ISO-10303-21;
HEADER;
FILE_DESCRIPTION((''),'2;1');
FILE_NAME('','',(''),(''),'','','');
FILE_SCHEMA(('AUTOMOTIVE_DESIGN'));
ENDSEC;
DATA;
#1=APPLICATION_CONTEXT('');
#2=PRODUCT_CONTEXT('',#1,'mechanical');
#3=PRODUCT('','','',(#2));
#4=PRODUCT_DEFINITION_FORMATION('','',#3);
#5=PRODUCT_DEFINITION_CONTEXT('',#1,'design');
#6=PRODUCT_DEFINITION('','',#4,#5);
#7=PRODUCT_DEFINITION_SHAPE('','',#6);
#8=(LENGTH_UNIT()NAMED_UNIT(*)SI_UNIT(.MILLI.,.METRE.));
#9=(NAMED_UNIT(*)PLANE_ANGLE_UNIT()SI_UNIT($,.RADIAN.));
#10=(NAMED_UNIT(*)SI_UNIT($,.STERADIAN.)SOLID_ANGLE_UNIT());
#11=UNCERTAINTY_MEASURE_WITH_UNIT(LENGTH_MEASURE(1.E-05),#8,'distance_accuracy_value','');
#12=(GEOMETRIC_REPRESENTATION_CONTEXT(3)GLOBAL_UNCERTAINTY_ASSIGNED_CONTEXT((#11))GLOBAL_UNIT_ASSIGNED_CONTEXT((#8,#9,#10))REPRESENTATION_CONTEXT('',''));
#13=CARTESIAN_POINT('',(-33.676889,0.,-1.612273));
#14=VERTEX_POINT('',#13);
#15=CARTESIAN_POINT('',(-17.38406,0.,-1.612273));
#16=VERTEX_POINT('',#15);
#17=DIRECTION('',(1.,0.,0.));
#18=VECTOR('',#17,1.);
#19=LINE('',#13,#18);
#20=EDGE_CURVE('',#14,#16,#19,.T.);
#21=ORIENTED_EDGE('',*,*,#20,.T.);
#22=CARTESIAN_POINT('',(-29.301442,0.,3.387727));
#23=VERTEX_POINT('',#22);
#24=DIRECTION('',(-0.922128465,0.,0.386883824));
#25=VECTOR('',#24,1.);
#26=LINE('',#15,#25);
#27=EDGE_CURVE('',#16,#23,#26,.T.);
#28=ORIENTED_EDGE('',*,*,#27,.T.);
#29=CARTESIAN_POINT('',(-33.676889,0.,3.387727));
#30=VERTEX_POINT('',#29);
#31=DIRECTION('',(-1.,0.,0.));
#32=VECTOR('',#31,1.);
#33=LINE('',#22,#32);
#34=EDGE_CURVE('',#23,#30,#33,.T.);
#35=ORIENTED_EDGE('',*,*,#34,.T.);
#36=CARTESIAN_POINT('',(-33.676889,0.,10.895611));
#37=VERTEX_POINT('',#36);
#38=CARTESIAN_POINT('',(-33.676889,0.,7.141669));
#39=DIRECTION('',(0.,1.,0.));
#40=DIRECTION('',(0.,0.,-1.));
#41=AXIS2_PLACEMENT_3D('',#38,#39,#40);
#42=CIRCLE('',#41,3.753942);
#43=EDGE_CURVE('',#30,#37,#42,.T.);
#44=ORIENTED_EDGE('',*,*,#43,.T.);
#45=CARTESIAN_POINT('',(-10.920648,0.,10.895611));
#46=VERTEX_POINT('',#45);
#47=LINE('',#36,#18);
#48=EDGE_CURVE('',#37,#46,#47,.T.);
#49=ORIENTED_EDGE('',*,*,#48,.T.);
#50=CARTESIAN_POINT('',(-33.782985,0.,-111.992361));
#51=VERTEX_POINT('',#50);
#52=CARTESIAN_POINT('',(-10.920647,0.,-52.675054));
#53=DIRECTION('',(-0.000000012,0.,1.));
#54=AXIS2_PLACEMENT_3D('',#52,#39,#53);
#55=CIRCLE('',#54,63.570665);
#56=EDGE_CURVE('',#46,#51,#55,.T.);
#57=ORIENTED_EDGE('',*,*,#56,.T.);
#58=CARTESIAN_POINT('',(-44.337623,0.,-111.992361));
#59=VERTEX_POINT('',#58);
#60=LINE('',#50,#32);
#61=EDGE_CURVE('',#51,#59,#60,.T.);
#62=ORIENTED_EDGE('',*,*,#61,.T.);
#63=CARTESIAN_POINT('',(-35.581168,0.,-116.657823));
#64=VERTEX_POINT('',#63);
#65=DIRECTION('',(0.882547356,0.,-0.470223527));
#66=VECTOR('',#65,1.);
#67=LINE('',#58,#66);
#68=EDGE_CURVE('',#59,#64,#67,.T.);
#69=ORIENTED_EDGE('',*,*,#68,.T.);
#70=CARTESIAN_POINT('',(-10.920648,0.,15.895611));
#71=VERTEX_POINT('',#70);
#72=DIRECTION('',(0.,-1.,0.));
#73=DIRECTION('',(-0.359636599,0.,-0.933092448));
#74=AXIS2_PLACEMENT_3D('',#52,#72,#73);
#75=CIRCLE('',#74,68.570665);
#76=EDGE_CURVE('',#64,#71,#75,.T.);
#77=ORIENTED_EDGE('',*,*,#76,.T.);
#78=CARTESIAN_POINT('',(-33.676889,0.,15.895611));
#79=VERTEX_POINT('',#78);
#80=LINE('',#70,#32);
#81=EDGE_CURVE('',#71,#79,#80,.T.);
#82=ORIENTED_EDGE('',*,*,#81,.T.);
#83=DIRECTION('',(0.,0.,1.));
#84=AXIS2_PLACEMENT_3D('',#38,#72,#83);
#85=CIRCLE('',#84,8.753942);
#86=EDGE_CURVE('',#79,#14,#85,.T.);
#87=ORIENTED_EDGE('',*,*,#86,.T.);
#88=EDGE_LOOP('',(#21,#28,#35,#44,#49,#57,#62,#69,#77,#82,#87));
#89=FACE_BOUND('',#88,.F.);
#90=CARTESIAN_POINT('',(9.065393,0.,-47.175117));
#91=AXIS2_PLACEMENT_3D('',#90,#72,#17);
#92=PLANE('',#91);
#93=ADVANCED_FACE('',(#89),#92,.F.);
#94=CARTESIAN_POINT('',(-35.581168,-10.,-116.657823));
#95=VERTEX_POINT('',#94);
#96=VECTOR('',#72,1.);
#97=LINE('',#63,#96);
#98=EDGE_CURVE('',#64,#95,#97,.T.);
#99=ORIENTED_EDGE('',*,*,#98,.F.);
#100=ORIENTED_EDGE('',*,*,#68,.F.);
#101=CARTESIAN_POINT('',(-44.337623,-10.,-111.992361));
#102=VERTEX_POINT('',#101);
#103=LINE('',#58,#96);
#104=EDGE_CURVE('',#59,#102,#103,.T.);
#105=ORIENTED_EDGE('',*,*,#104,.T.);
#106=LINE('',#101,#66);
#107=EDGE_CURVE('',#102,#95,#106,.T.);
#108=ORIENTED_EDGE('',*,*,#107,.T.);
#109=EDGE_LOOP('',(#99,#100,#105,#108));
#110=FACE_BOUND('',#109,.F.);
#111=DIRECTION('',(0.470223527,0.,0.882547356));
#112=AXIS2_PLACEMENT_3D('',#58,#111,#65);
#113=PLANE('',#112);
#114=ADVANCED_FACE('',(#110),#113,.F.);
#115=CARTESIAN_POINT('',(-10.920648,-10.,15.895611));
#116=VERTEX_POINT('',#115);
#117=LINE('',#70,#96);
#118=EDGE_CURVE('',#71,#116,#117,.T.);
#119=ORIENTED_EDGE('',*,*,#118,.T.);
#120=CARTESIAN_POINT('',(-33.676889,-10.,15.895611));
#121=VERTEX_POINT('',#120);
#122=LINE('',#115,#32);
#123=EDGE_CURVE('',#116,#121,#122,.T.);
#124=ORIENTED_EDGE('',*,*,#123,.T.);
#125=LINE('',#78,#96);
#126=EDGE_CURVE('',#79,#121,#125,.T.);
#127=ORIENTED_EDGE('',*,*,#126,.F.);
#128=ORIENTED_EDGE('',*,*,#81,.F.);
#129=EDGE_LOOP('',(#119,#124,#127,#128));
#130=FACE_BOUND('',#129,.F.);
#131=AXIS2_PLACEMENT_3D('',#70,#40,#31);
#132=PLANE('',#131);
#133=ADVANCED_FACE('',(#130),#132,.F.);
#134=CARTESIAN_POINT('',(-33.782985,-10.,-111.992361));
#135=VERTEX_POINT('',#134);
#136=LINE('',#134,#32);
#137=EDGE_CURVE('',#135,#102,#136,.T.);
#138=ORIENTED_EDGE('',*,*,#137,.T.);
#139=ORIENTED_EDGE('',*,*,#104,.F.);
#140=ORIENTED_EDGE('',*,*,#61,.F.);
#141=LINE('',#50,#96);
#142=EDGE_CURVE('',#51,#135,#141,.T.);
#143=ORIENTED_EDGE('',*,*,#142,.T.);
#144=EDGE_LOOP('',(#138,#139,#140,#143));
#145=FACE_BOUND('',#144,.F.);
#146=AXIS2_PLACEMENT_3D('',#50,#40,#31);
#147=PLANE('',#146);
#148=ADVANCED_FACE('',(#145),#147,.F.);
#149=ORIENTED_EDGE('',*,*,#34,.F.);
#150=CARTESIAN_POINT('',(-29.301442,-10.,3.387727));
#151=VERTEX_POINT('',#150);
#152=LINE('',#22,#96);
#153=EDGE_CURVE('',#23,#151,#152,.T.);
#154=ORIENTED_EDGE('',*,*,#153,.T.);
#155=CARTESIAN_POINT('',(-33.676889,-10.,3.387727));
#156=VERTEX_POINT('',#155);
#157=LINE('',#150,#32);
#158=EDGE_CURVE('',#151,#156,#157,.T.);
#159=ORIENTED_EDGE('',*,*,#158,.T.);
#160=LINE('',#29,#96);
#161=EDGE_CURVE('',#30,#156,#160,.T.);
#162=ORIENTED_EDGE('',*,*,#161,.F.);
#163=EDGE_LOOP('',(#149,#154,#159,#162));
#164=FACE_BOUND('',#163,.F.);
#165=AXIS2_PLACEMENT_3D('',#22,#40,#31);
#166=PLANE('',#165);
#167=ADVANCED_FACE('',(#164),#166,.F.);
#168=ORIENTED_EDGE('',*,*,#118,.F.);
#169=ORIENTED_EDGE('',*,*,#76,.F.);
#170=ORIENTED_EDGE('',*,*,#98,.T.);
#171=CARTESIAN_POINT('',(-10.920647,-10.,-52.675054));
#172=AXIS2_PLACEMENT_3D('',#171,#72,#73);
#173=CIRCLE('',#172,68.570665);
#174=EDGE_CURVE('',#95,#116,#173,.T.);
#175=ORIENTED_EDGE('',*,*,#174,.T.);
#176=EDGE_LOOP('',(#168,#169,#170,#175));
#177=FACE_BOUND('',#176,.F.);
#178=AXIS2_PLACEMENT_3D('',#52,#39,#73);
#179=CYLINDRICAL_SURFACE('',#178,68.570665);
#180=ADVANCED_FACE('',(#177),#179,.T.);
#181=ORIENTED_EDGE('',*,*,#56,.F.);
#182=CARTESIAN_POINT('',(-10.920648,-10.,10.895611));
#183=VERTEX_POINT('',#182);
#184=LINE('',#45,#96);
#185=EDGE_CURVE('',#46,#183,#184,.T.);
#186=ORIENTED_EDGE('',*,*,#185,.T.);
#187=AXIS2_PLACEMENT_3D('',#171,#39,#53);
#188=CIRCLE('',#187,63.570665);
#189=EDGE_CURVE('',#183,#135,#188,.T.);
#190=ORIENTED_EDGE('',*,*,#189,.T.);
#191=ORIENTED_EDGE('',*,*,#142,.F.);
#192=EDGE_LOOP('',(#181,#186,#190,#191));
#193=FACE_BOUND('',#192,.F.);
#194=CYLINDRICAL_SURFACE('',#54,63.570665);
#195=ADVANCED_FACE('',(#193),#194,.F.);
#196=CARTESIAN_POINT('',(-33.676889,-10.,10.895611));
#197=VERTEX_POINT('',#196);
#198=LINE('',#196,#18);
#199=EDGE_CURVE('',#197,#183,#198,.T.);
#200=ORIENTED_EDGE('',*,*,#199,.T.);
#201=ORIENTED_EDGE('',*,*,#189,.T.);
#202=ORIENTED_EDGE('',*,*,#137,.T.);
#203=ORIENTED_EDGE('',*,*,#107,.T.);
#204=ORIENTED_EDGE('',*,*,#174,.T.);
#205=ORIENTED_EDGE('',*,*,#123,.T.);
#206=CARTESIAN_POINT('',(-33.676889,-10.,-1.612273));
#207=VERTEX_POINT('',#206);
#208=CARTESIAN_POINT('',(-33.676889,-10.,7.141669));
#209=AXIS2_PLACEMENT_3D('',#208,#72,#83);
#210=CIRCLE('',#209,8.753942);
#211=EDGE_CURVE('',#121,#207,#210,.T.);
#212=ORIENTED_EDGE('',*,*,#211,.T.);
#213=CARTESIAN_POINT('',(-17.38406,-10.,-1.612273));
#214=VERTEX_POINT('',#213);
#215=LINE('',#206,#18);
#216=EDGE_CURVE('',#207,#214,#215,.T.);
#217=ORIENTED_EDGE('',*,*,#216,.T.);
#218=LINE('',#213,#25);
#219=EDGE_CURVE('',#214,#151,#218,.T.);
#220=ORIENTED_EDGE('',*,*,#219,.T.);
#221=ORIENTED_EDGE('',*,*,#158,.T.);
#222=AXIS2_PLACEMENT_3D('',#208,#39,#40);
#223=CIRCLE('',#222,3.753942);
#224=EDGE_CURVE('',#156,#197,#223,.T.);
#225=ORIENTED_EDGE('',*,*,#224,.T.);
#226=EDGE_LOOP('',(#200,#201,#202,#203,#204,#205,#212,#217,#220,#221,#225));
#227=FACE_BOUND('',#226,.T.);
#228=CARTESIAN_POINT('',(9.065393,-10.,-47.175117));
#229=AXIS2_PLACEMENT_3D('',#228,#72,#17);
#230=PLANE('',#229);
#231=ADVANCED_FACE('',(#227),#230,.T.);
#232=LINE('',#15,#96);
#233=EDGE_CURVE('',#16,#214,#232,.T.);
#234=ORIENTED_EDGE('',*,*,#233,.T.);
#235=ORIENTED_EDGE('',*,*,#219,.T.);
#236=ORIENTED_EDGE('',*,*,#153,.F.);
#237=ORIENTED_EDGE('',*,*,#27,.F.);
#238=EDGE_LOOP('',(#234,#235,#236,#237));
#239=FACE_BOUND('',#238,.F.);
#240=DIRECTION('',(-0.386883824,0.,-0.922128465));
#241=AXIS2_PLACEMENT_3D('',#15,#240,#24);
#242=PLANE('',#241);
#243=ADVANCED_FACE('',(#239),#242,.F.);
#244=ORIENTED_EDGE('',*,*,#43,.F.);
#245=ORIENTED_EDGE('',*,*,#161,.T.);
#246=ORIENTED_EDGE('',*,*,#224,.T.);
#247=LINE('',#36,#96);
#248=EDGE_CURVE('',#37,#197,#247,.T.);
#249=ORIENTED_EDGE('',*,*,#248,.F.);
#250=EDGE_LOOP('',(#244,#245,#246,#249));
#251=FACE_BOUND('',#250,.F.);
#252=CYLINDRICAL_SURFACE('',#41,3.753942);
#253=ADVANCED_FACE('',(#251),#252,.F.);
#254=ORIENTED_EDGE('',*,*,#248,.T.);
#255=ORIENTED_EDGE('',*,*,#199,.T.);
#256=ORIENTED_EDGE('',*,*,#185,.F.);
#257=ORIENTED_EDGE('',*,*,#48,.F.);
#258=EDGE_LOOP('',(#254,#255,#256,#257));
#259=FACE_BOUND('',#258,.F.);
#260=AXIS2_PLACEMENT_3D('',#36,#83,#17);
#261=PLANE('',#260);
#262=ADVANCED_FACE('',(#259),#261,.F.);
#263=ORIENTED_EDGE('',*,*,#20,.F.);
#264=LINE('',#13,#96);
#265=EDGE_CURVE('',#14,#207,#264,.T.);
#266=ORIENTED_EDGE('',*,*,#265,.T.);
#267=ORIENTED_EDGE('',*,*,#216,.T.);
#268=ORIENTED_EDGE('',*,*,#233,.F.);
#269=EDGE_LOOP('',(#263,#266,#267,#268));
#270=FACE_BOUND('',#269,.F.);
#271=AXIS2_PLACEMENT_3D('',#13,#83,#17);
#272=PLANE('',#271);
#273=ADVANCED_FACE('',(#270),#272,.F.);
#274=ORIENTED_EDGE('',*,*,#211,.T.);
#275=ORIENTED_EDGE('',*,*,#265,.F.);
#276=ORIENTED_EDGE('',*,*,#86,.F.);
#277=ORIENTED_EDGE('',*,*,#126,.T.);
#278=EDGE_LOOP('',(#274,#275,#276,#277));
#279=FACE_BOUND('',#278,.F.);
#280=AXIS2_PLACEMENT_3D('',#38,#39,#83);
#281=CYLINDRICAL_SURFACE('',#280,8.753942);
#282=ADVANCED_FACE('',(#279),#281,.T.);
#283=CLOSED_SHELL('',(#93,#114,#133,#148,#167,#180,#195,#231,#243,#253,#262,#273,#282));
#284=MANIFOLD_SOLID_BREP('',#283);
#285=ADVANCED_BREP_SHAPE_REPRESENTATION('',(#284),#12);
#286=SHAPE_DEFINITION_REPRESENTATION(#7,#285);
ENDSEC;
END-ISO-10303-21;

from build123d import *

# Parameters (mm, degrees)
F1_DEPTH = 10


with BuildPart() as f1:
    # F0 (on Front) → F1 (new body)
    with BuildSketch(Plane.XZ):
        with BuildLine():
            ThreePointArc((-35.581168, -116.657823), (56.493287, -65.216884), (-10.920648, 15.895611))
            Line((-10.920648, 15.895611), (-33.676889, 15.895611))
            ThreePointArc((-33.676889, 15.895611), (-42.430831, 7.141669), (-33.676889, -1.612273))
            Line((-33.676889, -1.612273), (-29.301442, -1.612273))
            Line((-29.301442, -1.612273), (-17.38406, -1.612273))
            Line((-17.38406, -1.612273), (-29.301442, 3.387727))
            Line((-29.301442, 3.387727), (-33.676889, 3.387727))
            ThreePointArc((-33.676889, 3.387727), (-37.430831, 7.141669), (-33.676889, 10.895611))
            Line((-33.676889, 10.895611), (-10.920648, 10.895611))
            ThreePointArc((-10.920648, 10.895611), (51.577633, -64.302366), (-33.782985, -111.992361))
            Line((-33.782985, -111.992361), (-44.337623, -111.992361))
            Line((-44.337623, -111.992361), (-35.581168, -116.657823))
        make_face()
    extrude(amount=F1_DEPTH)


solid = f1.part
